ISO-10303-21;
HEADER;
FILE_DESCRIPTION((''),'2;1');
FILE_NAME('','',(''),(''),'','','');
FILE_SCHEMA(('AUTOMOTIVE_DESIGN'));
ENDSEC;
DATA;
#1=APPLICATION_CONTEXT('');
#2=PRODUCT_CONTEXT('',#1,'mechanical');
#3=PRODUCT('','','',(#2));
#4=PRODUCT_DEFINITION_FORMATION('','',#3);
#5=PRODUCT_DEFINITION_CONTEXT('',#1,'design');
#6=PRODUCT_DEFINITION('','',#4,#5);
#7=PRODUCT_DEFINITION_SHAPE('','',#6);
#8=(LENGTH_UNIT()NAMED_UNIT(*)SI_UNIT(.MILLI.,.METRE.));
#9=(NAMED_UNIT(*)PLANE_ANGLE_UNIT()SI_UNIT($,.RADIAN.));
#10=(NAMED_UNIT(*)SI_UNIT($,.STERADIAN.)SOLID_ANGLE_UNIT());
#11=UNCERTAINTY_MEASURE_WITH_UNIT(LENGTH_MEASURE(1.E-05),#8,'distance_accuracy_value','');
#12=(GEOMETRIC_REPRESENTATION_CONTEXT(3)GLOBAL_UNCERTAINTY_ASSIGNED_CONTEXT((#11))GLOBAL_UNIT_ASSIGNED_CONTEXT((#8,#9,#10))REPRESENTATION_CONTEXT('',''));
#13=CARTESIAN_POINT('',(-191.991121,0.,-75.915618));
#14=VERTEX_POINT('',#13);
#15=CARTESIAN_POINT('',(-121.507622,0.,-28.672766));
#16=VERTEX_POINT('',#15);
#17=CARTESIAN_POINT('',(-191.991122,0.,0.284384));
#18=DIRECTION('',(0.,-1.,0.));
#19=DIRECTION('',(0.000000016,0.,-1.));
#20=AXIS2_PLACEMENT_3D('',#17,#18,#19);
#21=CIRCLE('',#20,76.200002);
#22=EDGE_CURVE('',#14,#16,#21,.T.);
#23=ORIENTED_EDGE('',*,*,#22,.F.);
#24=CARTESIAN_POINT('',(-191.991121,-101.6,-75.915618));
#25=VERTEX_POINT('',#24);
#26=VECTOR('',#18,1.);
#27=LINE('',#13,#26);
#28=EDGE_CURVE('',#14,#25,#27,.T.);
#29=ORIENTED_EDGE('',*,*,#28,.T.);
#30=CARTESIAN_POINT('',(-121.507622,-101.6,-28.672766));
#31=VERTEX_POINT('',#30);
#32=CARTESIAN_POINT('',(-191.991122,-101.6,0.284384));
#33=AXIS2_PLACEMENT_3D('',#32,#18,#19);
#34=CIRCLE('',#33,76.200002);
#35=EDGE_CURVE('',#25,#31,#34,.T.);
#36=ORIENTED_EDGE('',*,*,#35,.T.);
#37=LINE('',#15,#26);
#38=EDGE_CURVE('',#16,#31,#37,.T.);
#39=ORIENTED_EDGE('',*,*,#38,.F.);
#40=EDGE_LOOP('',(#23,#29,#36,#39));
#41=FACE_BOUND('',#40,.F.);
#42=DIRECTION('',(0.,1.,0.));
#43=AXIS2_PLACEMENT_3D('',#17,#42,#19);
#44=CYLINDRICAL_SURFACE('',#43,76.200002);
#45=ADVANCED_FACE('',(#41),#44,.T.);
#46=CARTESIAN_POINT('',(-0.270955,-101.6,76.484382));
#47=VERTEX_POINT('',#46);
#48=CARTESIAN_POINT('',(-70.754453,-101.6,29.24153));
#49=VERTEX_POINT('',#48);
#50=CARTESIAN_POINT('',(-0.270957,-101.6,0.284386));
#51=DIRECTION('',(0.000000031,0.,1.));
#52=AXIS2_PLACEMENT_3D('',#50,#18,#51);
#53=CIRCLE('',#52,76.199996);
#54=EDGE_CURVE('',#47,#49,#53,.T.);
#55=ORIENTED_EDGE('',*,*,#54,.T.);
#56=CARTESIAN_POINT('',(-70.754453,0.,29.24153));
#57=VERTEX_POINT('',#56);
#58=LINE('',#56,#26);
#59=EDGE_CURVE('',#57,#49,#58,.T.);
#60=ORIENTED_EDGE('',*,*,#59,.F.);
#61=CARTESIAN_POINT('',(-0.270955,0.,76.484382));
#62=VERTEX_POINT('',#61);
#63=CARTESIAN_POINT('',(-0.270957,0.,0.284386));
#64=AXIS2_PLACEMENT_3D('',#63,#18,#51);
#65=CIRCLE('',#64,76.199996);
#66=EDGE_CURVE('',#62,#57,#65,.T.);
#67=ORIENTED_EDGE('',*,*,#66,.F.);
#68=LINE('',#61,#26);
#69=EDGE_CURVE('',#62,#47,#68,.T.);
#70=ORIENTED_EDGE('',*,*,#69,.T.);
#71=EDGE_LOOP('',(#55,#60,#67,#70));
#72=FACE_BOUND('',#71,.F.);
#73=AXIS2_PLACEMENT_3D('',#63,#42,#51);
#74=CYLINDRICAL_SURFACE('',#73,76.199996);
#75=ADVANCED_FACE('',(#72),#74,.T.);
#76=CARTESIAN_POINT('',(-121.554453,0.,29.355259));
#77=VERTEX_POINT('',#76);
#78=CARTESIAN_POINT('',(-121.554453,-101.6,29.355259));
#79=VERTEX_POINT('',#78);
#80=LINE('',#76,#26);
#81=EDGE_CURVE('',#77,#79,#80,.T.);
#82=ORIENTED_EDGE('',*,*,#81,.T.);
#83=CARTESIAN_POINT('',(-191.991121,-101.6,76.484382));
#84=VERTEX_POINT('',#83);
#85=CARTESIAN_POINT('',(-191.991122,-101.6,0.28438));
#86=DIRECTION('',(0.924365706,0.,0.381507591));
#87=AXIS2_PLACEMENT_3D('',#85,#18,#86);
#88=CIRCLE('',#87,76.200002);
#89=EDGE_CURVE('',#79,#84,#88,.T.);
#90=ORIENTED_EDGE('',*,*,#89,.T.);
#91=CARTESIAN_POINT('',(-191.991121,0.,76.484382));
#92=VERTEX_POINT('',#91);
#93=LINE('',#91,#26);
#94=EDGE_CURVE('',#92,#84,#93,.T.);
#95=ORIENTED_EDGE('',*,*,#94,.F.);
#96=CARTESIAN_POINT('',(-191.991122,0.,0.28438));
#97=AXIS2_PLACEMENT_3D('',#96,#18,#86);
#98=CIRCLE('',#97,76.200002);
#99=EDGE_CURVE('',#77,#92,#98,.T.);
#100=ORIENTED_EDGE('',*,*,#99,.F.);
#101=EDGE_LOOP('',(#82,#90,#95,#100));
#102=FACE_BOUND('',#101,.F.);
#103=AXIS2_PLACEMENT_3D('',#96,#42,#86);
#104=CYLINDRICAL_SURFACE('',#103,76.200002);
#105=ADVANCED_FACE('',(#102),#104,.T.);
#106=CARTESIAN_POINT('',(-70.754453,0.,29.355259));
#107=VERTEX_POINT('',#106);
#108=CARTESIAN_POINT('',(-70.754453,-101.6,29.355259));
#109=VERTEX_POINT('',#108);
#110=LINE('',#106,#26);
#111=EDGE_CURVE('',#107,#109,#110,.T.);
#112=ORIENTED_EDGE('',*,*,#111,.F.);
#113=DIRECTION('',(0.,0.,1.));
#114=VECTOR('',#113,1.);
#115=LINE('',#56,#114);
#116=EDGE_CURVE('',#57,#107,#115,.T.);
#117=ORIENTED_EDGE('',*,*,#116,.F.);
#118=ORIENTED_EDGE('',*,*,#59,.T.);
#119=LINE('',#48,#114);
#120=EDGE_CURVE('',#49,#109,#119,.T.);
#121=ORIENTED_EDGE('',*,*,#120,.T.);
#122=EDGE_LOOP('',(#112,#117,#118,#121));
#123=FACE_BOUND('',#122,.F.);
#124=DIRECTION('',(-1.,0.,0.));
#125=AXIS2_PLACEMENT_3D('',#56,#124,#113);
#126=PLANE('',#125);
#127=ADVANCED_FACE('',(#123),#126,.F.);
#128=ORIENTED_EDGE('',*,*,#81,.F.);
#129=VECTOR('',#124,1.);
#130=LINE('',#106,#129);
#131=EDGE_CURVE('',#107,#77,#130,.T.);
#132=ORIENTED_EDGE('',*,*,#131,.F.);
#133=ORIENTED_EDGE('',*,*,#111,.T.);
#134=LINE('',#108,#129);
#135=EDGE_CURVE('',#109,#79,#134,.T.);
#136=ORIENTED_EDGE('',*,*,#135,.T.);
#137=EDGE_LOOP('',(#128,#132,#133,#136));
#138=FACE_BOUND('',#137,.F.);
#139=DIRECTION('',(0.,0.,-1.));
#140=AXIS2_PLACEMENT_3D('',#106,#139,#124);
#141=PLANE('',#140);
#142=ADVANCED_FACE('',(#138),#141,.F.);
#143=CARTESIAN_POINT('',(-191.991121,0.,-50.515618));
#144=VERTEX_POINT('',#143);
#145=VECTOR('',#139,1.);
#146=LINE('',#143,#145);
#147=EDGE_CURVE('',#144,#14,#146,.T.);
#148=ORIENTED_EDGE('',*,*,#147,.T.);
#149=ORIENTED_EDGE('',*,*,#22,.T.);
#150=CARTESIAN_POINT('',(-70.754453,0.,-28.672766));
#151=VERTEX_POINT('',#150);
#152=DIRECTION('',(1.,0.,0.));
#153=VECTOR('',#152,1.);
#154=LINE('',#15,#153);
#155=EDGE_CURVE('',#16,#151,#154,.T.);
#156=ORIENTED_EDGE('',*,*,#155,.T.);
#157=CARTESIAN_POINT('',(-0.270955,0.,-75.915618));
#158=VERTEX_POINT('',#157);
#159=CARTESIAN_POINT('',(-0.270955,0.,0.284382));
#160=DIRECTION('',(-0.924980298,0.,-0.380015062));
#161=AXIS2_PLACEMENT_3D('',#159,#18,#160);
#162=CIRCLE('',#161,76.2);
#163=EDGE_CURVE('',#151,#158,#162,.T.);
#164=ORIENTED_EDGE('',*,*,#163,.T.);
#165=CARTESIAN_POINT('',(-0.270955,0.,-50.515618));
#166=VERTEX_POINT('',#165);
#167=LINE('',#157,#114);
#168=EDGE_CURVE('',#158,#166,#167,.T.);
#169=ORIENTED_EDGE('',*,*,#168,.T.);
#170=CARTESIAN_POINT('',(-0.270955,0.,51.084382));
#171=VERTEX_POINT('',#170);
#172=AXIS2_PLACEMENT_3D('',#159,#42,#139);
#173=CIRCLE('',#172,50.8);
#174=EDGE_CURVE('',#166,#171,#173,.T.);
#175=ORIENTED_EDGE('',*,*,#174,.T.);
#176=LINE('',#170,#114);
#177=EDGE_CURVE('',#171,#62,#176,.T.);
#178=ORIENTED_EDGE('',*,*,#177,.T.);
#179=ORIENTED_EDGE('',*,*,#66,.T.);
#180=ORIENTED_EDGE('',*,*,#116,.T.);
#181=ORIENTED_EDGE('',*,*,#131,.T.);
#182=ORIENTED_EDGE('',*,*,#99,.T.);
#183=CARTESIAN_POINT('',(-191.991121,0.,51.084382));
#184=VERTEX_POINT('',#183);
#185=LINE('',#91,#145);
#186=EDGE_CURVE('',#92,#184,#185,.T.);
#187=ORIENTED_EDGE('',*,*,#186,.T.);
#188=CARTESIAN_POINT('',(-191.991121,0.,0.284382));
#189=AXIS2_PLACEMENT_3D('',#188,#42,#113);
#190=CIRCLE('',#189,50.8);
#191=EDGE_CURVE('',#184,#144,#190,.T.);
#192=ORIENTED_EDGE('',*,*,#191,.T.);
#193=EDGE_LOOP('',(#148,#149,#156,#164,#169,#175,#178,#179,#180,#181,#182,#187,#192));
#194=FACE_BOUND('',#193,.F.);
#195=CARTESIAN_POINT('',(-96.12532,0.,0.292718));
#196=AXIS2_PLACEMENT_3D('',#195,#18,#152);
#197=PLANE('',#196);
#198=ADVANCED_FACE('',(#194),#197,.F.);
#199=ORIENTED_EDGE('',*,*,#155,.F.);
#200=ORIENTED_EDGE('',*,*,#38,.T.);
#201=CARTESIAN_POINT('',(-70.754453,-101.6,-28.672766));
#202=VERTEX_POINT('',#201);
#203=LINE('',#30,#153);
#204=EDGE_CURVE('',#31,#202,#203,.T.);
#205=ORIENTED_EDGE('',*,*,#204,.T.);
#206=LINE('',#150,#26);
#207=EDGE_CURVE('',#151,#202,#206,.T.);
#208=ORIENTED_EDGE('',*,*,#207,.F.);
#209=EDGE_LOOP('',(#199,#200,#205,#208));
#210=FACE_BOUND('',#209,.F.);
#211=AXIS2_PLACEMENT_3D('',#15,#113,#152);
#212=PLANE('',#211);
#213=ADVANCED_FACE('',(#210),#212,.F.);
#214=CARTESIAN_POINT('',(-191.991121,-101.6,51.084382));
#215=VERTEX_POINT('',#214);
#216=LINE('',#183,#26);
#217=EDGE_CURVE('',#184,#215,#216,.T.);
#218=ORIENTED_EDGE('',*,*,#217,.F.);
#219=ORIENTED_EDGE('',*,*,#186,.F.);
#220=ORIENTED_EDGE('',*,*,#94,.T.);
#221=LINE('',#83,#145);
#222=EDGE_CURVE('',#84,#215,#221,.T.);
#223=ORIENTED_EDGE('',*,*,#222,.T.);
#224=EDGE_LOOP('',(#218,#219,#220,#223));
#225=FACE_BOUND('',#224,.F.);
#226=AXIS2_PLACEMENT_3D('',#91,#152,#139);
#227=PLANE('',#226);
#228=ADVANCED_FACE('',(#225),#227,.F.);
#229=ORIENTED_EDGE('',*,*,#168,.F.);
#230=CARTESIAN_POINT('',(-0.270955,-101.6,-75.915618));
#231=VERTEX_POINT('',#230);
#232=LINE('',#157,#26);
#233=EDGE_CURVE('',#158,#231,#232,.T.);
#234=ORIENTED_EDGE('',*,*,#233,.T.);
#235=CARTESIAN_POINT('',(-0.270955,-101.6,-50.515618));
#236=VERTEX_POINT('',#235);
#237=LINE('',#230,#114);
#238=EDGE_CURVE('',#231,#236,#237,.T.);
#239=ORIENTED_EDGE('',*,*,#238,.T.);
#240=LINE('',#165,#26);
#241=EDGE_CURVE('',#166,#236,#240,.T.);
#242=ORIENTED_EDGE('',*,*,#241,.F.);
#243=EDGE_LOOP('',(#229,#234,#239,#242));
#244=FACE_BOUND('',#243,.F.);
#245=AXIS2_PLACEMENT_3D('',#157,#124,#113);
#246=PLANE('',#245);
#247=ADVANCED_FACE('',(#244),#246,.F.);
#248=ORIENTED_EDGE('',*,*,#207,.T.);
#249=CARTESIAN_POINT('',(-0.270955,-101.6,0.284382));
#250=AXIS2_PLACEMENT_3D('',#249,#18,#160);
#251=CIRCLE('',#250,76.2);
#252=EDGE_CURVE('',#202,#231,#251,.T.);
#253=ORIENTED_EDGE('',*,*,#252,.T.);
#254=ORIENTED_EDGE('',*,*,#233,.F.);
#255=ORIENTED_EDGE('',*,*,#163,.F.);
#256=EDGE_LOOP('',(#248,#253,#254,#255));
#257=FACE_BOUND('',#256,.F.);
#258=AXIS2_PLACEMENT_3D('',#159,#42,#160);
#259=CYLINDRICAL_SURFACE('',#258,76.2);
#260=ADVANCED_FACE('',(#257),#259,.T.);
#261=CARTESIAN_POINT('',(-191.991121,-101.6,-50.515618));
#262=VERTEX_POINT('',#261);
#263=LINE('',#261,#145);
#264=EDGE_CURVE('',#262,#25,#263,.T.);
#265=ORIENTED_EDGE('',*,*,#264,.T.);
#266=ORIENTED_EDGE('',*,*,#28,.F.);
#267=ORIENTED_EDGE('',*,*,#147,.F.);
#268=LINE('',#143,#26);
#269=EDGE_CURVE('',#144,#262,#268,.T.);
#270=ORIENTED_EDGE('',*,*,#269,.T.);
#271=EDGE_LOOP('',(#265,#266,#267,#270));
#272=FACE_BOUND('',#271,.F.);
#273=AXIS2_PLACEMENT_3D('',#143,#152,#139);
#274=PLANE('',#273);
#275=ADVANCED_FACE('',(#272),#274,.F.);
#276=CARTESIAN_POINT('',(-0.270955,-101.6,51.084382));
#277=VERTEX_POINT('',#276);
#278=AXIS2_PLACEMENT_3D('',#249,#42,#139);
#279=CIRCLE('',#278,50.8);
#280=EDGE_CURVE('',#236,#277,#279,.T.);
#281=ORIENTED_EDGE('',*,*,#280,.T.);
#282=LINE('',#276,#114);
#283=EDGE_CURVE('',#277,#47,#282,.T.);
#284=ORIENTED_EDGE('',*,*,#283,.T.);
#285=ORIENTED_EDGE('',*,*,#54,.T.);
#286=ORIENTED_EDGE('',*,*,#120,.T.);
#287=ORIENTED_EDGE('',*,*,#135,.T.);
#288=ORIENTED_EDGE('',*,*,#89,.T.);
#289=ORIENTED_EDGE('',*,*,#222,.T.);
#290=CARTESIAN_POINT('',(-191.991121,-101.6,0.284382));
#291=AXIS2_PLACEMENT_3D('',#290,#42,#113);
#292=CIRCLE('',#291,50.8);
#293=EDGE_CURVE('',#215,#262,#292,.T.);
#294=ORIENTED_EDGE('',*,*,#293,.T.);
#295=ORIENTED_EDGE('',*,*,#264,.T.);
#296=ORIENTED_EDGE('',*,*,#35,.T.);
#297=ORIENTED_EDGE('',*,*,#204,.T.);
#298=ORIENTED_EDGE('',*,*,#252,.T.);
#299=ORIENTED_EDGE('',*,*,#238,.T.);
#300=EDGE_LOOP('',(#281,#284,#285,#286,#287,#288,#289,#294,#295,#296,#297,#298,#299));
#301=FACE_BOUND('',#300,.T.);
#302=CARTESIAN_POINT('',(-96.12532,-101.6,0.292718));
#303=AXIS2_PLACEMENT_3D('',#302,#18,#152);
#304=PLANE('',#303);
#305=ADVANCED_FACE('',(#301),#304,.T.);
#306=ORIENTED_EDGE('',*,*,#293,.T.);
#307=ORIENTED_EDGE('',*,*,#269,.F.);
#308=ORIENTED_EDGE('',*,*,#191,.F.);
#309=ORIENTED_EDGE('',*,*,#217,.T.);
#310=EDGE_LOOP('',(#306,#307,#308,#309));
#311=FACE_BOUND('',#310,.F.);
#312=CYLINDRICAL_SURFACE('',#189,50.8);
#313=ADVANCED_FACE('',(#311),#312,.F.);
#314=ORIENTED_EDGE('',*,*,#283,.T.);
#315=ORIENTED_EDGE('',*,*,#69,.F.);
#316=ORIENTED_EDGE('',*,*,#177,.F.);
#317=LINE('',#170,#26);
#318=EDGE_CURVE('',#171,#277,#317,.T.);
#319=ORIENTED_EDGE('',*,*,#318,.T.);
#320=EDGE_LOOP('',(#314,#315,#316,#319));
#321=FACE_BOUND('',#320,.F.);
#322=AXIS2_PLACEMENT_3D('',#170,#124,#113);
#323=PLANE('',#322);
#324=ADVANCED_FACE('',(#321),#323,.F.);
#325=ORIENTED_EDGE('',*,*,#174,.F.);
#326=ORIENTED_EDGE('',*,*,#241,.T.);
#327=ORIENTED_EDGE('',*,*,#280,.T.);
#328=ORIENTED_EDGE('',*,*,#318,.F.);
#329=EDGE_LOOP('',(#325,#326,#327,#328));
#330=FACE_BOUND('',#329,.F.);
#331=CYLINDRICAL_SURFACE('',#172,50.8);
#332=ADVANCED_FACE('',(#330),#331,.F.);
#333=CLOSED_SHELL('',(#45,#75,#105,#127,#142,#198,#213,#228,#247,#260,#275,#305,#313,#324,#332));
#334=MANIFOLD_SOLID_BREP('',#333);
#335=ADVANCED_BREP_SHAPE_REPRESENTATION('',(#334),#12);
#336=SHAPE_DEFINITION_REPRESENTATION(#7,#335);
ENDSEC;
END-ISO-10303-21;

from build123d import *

# Parameters (mm, degrees)
F1_DEPTH = 101.6


with BuildPart() as f1:
    # F0 (on Front) → F1 (new body)
    with BuildSketch(Plane.XZ):
        with BuildLine():
            ThreePointArc((-121.554453, 29.355259), (-149.616369, 63.61542), (-191.991121, 76.484382))
            Line((-191.991121, 76.484382), (-191.991121, 51.084382))
            ThreePointArc((-191.991121, 51.084382), (-141.191121, 0.284382), (-191.991121, -50.515618))
            Line((-191.991121, -50.515618), (-191.991121, -75.915618))
            ThreePointArc((-191.991121, -75.915618), (-149.565272, -63.012437), (-121.507622, -28.672766))
            Line((-121.507622, -28.672766), (-70.754453, -28.672766))
            ThreePointArc((-70.754453, -28.672766), (-42.696804, -63.012437), (-0.270955, -75.915618))
            Line((-0.270955, -75.915618), (-0.270955, -50.515618))
            ThreePointArc((-0.270955, -50.515618), (-51.070955, 0.284382), (-0.270955, 51.084382))
            Line((-0.270955, 51.084382), (-0.270955, 76.484382))
            ThreePointArc((-0.270955, 76.484382), (-42.696804, 63.581202), (-70.754453, 29.24153))
            Line((-70.754453, 29.24153), (-70.754453, 29.355259))
            Line((-70.754453, 29.355259), (-121.554453, 29.355259))
        make_face()
    extrude(amount=F1_DEPTH)


solid = f1.part
